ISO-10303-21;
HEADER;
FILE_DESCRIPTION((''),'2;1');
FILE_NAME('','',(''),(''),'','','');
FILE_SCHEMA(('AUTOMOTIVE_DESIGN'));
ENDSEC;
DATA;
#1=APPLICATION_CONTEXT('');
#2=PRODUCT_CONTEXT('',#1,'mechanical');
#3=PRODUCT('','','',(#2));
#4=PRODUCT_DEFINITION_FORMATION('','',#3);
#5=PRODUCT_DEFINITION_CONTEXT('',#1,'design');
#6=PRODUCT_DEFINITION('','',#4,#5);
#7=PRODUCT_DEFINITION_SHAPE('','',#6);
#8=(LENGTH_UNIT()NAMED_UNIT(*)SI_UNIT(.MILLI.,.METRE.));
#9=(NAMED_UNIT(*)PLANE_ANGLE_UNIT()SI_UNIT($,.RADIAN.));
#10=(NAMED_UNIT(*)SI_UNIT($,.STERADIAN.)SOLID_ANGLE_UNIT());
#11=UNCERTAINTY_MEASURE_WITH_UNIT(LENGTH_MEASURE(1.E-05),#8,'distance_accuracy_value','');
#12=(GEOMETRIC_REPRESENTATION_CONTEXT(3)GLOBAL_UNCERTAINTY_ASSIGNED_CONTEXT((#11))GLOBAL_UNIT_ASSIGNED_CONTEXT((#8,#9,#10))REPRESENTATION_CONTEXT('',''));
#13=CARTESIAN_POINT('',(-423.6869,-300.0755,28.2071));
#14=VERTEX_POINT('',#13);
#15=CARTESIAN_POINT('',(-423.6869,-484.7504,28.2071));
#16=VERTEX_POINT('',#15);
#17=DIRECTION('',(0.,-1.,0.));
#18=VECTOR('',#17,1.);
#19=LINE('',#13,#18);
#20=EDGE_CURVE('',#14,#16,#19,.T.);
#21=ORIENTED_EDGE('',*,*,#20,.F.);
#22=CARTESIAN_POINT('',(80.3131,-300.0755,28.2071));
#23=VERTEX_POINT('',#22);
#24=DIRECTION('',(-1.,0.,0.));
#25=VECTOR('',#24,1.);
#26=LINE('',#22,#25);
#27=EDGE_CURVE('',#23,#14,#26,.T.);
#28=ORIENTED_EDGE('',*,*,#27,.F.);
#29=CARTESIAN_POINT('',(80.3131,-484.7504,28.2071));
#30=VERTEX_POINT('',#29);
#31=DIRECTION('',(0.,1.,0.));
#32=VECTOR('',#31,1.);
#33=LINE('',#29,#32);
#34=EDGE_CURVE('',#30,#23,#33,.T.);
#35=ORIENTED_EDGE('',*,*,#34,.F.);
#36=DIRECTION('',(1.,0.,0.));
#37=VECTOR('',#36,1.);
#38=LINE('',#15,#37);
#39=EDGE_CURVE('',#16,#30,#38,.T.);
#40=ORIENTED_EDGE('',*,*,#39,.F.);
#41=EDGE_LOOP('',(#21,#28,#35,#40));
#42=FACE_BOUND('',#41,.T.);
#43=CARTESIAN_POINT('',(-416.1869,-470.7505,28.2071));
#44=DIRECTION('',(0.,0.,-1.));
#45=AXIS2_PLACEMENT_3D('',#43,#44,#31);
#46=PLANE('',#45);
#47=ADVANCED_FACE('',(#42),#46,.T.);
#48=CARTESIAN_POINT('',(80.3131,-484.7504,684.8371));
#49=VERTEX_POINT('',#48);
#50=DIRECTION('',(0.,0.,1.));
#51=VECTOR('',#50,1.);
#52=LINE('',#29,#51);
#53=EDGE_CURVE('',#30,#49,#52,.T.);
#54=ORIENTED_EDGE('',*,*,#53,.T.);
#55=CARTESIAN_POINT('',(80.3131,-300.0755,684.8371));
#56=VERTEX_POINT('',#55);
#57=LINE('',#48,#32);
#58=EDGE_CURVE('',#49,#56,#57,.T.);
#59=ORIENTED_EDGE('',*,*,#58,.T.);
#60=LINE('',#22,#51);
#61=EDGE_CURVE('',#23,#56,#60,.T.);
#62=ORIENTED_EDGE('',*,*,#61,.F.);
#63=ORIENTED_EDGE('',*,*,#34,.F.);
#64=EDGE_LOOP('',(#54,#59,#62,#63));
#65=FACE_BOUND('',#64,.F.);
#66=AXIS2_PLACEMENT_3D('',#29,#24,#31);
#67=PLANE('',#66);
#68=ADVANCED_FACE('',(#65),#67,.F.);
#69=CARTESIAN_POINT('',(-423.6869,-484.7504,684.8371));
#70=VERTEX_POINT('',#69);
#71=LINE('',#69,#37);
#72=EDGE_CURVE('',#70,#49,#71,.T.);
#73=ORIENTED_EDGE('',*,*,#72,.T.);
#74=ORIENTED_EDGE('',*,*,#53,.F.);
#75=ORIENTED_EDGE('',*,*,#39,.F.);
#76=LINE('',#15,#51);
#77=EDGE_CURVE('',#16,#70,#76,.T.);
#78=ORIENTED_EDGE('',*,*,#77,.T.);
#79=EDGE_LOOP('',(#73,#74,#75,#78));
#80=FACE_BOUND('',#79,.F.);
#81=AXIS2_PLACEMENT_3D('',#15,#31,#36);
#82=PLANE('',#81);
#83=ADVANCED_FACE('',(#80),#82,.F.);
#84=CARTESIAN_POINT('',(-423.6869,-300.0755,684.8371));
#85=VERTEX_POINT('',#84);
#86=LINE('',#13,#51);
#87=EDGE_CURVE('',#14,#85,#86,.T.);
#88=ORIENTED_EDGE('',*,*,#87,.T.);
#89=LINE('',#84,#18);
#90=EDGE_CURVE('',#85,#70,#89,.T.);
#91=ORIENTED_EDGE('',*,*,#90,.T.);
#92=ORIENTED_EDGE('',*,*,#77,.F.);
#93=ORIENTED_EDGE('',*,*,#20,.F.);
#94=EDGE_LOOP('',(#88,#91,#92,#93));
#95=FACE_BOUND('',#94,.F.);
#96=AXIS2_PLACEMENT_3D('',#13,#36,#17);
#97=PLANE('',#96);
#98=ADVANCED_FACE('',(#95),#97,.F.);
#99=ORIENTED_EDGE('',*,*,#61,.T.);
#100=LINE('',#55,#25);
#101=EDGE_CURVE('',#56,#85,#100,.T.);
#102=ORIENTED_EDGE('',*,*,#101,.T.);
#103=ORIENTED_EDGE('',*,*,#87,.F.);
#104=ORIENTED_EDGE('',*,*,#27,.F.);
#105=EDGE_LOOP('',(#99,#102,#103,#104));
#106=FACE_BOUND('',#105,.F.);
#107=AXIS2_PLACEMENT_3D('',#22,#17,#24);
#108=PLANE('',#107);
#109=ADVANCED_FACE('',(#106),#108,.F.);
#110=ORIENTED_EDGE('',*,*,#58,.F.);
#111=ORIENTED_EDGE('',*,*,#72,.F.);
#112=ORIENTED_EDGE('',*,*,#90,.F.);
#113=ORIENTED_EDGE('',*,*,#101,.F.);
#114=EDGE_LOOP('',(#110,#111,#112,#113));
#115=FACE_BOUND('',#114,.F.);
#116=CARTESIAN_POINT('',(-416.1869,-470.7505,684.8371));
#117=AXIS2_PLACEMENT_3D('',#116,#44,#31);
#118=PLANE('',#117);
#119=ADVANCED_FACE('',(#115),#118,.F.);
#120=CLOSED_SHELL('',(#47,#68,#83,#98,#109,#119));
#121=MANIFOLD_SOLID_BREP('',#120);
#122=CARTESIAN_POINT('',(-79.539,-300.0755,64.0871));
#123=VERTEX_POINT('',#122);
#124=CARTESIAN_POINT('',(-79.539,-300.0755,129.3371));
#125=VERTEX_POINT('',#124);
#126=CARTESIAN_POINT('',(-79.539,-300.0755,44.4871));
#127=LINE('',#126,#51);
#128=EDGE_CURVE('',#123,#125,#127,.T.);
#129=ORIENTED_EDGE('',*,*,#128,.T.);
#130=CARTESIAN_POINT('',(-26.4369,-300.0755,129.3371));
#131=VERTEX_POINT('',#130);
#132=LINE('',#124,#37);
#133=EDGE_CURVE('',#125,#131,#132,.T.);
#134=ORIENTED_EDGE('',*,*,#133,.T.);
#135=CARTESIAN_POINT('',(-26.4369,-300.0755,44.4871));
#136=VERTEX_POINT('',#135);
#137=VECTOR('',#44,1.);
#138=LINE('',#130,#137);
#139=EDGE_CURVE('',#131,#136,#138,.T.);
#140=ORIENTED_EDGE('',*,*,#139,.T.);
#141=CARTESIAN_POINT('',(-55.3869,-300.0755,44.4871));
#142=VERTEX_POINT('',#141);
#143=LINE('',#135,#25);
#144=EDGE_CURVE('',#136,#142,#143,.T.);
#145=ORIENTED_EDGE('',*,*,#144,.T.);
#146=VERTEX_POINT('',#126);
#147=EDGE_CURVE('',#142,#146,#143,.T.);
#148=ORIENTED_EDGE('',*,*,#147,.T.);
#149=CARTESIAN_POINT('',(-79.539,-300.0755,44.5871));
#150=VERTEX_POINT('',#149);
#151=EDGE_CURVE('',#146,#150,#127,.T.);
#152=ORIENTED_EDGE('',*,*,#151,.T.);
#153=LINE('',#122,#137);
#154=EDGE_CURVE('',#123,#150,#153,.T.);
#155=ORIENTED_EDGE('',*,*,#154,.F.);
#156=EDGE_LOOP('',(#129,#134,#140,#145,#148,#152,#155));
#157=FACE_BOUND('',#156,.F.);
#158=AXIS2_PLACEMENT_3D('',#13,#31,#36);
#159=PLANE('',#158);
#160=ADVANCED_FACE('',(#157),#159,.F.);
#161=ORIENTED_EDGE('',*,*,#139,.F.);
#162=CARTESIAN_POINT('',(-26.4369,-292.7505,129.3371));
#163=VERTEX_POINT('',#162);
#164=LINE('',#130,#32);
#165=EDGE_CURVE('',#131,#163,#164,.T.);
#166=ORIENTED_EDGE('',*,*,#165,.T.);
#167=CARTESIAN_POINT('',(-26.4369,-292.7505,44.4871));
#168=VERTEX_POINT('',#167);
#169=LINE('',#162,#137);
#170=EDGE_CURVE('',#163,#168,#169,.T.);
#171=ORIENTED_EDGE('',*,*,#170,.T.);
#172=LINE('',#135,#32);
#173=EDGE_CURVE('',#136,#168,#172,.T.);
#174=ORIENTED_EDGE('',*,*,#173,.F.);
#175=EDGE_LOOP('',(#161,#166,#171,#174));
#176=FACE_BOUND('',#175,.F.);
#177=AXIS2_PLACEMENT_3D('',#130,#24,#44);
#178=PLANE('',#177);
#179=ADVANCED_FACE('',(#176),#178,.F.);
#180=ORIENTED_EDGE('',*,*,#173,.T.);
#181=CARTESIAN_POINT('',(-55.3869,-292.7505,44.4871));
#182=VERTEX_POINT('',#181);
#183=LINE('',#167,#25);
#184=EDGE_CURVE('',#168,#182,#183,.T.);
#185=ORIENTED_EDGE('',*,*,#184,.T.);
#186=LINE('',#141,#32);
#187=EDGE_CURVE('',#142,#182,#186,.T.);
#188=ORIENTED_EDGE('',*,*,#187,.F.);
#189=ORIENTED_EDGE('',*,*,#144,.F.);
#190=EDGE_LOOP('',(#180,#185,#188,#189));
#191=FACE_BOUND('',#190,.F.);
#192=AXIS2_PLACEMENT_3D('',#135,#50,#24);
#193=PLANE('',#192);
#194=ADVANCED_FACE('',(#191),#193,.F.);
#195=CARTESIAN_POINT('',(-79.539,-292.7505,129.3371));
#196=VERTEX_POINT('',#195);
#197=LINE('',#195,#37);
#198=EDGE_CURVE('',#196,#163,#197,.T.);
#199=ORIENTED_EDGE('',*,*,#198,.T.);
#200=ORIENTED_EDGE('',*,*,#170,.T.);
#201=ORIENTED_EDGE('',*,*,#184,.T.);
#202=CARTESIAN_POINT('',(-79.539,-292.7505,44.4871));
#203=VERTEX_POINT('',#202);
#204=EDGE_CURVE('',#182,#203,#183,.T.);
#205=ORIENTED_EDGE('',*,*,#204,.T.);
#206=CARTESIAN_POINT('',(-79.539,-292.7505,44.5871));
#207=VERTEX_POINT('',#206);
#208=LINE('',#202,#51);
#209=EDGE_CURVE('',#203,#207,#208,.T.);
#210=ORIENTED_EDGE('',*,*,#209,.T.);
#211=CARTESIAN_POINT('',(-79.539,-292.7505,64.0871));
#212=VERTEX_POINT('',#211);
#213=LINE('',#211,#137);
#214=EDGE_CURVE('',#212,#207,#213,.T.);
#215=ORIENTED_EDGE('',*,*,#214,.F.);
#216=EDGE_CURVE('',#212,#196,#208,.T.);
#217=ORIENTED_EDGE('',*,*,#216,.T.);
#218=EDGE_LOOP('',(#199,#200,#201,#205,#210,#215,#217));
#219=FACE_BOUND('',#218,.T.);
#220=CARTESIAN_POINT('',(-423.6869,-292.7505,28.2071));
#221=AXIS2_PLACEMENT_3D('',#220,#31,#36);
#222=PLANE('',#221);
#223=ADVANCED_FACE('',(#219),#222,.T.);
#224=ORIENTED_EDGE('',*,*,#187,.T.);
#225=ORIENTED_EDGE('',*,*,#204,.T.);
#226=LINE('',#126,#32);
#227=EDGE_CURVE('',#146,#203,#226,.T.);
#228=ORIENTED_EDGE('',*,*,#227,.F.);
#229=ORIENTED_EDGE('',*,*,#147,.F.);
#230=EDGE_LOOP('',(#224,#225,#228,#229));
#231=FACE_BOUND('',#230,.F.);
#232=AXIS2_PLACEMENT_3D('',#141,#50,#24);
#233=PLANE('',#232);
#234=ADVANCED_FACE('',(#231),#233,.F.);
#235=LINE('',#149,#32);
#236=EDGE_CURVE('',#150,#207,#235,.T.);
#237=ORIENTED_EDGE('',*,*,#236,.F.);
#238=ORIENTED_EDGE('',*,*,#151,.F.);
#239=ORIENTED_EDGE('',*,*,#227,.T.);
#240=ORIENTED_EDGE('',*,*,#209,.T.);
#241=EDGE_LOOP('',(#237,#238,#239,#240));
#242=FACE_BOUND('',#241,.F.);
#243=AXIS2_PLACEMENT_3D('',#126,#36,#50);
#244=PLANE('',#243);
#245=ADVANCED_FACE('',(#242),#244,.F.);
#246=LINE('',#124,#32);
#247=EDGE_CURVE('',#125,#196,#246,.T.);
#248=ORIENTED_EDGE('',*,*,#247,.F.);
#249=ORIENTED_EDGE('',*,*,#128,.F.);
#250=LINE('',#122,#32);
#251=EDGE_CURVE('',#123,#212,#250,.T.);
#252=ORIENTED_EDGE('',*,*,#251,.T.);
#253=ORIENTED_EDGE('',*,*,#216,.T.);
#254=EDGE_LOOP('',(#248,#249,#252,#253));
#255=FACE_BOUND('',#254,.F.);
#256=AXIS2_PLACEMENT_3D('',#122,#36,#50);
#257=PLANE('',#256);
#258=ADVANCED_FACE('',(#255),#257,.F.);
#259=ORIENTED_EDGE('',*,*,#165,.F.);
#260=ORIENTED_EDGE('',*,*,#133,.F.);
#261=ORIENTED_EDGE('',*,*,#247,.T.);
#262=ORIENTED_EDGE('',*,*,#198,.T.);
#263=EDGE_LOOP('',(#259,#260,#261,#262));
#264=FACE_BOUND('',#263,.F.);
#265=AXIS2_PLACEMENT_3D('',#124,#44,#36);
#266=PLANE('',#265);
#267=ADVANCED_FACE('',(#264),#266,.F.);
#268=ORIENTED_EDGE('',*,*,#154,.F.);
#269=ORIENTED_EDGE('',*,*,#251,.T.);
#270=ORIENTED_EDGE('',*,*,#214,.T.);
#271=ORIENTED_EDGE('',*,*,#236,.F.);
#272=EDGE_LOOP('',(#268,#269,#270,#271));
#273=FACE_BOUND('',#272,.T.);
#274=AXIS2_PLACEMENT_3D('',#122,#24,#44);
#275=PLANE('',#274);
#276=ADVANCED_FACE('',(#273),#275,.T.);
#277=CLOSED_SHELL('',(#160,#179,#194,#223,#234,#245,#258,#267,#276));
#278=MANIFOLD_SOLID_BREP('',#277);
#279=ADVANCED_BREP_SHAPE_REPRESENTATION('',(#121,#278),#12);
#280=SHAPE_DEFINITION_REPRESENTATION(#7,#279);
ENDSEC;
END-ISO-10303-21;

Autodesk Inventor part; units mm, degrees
ref_plane "Work Plane1" through (-416.1869, -470.7505, 28.2071) normal (0, 0, -1) x (0, 1, 0)
sketch "Sketch1" plane through (-416.1869, -470.7505, 28.2071) normal (0, 0, -1) x (0, 1, 0)
  line L0 (-5.675, 491.5) -> (-5.675, 423.5) construction
  line L1 (170.675, 423.5) -> (170.675, 491.5) construction
  line L2 (166, -7.5) -> (160.638, -7.5) construction
  line L3 (154.362, -7.5) -> (149, -7.5) construction
  line L4 (16, -7.5) -> (10.638, -7.5) construction
  line L5 (4.362, -7.5) -> (-1, -7.5) construction
  line L6 (94.0505, 496.5) -> (100.0959, 496.5) construction
  line L7 (101.0959, 496.5) -> (107.1414, 496.5) construction
  line L8 (108.1414, 496.5) -> (114.1868, 496.5) construction
  line L9 (-13.9999, 496.5) -> (170.675, 496.5)
  line L10 (170.675, 496.5) -> (170.675, -7.5)
  line L11 (170.675, -7.5) -> (-13.9999, -7.5)
  line L12 (-13.9999, -7.5) -> (-13.9999, 496.5)
  line L13 (-13.69, 71.5) -> (-13.69, 253.5) construction
  line L14 (-13.9999, 266.9308) -> (-13.9999, 290.6308) construction
  point P0 (470.7505, 416.1869)
ref_plane "Work Plane2" through (60.3131, -476.4255, 684.8371) normal (0, 0, 1) x (1, 0, 0)
extrude "Extrusion1" add sketch "Sketch1" against normal up to surface (656.63 mm away)
sketch "Sketch2" plane through (-423.6869, -300.0755, 28.2071) normal (0, 1, 0) x (1, 0, 0)
  line L0 (397.25, -16.28) -> (344.1479, -16.28)
  line L1 (344.1479, -16.28) -> (344.1479, -101.13)
  line L2 (344.1479, -101.13) -> (397.25, -101.13)
  line L3 (397.25, -101.13) -> (397.25, -16.28)
  line L4 (344.1479, -35.88) -> (344.1479, -16.38) projected
  arc A0 (397.2117, -88.1724) -> (397.052, -86.959) centre (385.25, -89.13) ccw projected
  line L5 (343.1, -16.28) -> (368.3, -16.28) projected
  point P0 (423.6869, 28.2071)
ref_plane "Work Plane3" through (-49.4369, -292.7505, 106.3371) normal (0, 1, 0) x (0, 0, 1)
extrude "Extrusion2" add sketch "Sketch2" along normal up to surface (7.325 mm away) separate body
ref_plane "Work Plane4" through (50.3442, -329.0906, 827.6498) normal (0, 0, 1) x (1, 0, 0)
sketch "Sketch4" plane through (-423.6869, -484.7505, 684.8371) normal (0, 0, 1) x (1, 0, 0)
  line L0 (484, 161.1598) -> (484, 161.1598) projected
  line L1 (484, 153.6598) -> (484, 153.6598) projected
  line L2 (504, 157.4099) -> (478, 157.4099)
  line L3 (504, 184.6749) -> (504, 157.4099)
  line L4 (504, 0) -> (0, 0) construction
  line L5 (504, 184.6749) -> (504, 0) construction
  line L6 (0, 184.6749) -> (504, 184.6749) construction
  line L7 (0, 0) -> (0, 184.6749) construction
  line L8 (478, 157.4099) -> (453, 157.4099)
  line L9 (453, 157.4099) -> (423, 157.4099) construction
  line L10 (453, 282.4099) -> (423, 282.4099)
  line L11 (423, 32.4099) -> (453, 32.4099)
  arc A0 (453, 32.4099) -> (453, 282.4099) centre (453, 157.4099) ccw
  arc A1 (423, 282.4099) -> (423, 32.4099) centre (423, 157.4099) ccw
  point P0 (423.6869, 484.7505)
  point P1 (438, 157.4099)
  dimension "d5" = 27.265
  dimension "d6" = 26
  dimension "d7" = 25
  dimension "d9" = 30
  dimension "d10" = 250
sketch "Sketch6" plane through (-423.6869, -300.0755, 28.2071) normal (0, 1, 0) x (1, 0, 0)
  line L0 (0, 0) -> (0, -656.63) projected
  line L1 (96.005, -527.63) -> (96.005, -227.63) projected
  line L2 (85.43, -212.63) -> (82.255, -212.63) projected
  line L3 (97.505, -212.63) -> (97.505, -234.63) projected
  line L4 (85.43, -212.63) -> (90.255, -212.63) projected
  line L5 (97.505, -520.63) -> (97.505, -542.63) projected
  line L6 (82.255, -542.63) -> (85.43, -542.63) projected
  line L7 (96.005, -212.63) -> (0, -212.63)
  line L8 (0, -212.63) -> (0, -542.63)
  line L9 (0, -542.63) -> (96.005, -542.63)
  line L10 (96.005, -542.63) -> (96.005, -212.63)
  line L11 (96.005, -212.63) -> (99.2801, -212.63) construction
  line L12 (85.43, -542.63) -> (97.505, -542.63)
  point P0 (423.6869, 28.2071)
ref_plane "Work Plane14" through (-416.1869, -470.7505, 356.5221) normal (0, 0, -1) x (-1, 0, 0)
ref_plane "Work Plane15" through (-171.6869, -484.7505, 28.2071) normal (-1, 0, 0) x (0, 0, 1)
ref_plane "Work Plane17" through (-79.539, -388.7505, 44.4871) normal (0, 1, 0) x (1, 0, 0)
properties part number "TAZ 6 Convex Model"
